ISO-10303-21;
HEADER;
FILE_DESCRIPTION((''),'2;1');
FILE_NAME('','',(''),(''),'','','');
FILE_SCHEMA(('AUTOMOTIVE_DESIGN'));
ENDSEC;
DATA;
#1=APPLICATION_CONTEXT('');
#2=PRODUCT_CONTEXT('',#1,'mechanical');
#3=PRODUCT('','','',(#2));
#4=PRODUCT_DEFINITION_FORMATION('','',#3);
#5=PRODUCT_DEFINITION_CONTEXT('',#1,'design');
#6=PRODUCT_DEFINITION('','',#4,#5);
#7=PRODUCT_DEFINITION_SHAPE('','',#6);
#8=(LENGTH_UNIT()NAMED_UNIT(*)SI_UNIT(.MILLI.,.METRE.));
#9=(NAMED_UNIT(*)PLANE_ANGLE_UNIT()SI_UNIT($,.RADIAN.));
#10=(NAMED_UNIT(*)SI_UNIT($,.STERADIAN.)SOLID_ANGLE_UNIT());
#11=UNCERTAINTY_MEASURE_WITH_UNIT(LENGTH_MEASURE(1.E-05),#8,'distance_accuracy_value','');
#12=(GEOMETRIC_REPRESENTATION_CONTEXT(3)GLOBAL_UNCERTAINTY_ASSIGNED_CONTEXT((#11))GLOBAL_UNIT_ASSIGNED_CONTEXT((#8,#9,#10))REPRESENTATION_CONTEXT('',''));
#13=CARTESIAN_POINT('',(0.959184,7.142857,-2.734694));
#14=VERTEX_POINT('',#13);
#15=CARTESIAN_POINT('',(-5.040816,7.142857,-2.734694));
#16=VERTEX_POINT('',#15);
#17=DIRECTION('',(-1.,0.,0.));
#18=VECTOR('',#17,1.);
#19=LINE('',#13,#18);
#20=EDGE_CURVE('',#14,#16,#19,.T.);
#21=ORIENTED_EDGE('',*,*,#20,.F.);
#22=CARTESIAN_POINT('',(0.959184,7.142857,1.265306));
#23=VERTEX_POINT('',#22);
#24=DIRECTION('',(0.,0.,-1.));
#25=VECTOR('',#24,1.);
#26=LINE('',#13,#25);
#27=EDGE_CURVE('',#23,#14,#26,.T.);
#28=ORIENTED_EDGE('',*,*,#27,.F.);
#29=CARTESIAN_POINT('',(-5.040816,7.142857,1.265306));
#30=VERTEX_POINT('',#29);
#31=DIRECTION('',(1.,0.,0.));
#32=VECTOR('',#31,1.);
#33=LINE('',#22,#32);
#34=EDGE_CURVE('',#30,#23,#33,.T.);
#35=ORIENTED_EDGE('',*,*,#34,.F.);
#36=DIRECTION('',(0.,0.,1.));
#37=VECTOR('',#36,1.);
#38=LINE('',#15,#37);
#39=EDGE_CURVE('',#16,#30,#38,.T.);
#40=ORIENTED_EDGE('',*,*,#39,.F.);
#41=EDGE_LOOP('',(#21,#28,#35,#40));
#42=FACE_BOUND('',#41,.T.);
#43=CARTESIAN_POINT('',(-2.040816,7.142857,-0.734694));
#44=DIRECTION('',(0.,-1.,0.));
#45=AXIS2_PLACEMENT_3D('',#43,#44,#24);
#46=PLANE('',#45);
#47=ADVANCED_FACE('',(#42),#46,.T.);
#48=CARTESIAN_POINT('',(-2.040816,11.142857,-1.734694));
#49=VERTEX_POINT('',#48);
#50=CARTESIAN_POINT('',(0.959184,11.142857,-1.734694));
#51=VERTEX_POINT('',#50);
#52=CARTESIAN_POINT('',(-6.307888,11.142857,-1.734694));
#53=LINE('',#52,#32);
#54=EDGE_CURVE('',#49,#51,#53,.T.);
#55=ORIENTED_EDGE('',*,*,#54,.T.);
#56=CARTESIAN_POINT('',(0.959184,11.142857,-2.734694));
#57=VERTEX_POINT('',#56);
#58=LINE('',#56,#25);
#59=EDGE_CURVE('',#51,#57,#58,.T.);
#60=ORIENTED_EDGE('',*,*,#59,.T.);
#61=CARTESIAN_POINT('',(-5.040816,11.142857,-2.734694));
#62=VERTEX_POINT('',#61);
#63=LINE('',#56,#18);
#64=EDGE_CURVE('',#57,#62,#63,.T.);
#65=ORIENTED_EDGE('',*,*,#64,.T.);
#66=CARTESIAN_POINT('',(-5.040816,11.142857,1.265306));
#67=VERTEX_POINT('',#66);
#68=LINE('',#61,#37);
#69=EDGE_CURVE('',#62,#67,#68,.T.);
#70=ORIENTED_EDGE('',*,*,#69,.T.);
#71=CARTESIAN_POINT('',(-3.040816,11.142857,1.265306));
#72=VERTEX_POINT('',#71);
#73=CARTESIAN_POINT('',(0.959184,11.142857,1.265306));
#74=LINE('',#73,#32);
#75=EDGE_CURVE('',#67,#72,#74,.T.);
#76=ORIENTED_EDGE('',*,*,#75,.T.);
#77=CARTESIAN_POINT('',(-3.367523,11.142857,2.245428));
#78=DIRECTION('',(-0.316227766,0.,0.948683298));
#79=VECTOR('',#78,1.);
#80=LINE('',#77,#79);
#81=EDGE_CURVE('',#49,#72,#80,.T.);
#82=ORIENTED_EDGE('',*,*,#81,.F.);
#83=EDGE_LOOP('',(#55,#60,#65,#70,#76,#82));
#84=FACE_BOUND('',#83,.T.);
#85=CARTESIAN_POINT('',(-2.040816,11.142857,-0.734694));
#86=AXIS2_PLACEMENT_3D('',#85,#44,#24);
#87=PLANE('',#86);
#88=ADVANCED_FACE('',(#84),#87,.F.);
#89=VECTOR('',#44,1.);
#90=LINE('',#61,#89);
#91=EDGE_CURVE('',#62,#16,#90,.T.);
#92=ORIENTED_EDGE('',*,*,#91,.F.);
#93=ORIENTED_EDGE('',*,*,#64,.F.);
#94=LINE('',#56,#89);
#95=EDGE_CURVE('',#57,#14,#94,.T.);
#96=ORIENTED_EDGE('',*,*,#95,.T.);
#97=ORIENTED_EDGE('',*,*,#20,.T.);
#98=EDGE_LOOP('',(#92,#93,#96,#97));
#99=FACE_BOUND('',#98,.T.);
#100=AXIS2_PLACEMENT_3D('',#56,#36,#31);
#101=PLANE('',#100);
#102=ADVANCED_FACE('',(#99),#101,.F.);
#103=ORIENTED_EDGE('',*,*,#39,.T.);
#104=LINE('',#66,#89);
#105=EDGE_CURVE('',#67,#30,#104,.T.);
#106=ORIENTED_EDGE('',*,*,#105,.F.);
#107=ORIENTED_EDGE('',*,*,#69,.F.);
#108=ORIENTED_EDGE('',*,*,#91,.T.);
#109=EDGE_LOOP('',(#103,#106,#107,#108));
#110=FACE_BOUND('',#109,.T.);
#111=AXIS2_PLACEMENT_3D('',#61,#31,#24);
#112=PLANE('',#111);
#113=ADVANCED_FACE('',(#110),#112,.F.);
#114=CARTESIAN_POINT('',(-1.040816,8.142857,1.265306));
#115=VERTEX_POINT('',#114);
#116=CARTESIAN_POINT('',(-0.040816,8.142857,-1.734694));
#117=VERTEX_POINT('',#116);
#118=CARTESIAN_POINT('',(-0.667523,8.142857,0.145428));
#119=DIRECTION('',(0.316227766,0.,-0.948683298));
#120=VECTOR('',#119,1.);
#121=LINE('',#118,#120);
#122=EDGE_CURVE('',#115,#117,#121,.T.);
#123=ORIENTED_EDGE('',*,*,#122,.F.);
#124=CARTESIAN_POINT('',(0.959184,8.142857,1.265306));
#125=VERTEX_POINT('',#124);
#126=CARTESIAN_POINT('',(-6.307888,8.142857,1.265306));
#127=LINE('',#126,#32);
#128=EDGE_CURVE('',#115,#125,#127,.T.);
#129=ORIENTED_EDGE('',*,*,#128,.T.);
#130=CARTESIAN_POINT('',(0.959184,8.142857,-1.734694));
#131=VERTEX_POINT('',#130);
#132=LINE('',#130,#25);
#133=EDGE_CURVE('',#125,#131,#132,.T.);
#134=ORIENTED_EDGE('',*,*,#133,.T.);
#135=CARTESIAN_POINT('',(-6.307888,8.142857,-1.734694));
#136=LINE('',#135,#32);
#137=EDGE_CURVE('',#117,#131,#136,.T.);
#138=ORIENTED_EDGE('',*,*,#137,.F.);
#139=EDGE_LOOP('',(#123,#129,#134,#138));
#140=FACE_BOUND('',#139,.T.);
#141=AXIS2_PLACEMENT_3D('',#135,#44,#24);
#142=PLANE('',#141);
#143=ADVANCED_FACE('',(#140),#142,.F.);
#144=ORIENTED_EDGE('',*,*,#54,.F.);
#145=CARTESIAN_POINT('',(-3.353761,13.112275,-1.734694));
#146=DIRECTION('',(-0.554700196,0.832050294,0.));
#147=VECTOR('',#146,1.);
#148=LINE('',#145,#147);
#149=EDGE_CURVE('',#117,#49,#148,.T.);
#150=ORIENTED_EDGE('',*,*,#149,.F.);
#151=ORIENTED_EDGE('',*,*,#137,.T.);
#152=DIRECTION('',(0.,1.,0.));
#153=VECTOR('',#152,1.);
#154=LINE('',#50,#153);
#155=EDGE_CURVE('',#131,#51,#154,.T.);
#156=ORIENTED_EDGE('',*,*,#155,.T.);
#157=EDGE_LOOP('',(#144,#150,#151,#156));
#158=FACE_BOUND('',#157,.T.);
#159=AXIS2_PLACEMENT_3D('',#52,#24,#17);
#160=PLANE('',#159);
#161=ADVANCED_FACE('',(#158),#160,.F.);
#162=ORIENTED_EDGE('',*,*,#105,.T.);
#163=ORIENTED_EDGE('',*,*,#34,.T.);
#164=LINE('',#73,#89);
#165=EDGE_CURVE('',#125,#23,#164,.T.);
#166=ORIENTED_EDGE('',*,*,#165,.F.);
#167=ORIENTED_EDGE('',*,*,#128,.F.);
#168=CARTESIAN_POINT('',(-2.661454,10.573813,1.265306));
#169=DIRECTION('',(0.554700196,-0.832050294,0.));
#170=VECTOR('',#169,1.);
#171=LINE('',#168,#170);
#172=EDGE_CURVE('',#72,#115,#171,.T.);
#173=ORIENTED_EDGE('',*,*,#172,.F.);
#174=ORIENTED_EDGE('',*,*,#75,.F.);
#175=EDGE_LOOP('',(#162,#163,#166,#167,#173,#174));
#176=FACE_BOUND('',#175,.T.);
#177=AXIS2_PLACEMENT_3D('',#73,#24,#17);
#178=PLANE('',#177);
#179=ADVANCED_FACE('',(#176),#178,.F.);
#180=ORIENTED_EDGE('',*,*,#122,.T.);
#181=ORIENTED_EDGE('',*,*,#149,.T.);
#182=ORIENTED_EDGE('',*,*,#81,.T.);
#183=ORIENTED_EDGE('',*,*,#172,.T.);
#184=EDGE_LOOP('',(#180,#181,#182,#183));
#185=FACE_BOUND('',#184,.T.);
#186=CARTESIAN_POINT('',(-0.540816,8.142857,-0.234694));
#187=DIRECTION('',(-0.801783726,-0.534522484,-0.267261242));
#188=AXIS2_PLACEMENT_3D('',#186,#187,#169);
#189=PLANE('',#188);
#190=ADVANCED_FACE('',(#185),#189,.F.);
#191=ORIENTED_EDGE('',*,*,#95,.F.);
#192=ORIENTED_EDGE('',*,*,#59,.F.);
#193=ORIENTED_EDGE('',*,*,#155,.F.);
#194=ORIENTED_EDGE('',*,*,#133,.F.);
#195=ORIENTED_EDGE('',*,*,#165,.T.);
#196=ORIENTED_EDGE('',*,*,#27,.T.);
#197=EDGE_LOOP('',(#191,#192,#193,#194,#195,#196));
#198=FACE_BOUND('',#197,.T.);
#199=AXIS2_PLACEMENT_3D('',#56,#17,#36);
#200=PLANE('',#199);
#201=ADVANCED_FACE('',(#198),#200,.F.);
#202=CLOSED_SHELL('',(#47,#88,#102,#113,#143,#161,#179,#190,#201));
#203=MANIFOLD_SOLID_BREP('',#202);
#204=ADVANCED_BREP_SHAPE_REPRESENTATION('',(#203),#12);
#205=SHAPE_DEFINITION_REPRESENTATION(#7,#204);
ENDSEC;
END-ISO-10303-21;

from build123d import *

# Parameters (mm, degrees)
SKETCH_1_W          = 30
SKETCH_1_H          = 20
EXTRUDE_1_DEPTH     = 20
CUT_EXTRUDE_3_REACH = 39.417
SKETCH_5_W          = 15
SKETCH_5_H          = 15
SCALE_1_SCALE       = 0.2


with BuildPart() as part:
    # 草圖1 → 填料-伸長1 (new body)
    with BuildSketch(Plane(origin=(0, 0, 0), x_dir=(1, 0, 0), z_dir=(0, 1, 0))):
        Rectangle(SKETCH_1_W, SKETCH_1_H)
    extrude(amount=EXTRUDE_1_DEPTH)

    # 除料-伸長3: up to this plane
    cut_extrude_3_end = Plane(origin=(7.5, 5, 2.5), z_dir=(-0.8017837257372732, -0.5345224838248487, -0.2672612419124243))
    # 草圖5 → 除料-伸長3 (cut, up to the surface)
    with BuildSketch(Plane(origin=(15, 0, 0), x_dir=(0, 0, -1), z_dir=(1, 0, 0)), mode=Mode.PRIVATE) as cut_extrude_3_sk1:
        with Locations((-2.5, 12.5)):
            Rectangle(SKETCH_5_W, SKETCH_5_H)
    cut_extrude_3_tool1 = split(extrude(cut_extrude_3_sk1.sketch, amount=-CUT_EXTRUDE_3_REACH, mode=Mode.PRIVATE), bisect_by=cut_extrude_3_end, keep=Keep.BOTH, mode=Mode.PRIVATE)
    add(cut_extrude_3_tool1.solids().sort_by_distance((15, 12.5, 2.5))[0], mode=Mode.SUBTRACT)


with BuildPart() as part_1:
    # 縮放比例1: scaled about (-2.551020408, 8.928571429, -0.918367347)
    add(part.part.scale(SCALE_1_SCALE).moved(Location((-2.040816326, 7.142857143, -0.734693878))))


solid = part_1.part
